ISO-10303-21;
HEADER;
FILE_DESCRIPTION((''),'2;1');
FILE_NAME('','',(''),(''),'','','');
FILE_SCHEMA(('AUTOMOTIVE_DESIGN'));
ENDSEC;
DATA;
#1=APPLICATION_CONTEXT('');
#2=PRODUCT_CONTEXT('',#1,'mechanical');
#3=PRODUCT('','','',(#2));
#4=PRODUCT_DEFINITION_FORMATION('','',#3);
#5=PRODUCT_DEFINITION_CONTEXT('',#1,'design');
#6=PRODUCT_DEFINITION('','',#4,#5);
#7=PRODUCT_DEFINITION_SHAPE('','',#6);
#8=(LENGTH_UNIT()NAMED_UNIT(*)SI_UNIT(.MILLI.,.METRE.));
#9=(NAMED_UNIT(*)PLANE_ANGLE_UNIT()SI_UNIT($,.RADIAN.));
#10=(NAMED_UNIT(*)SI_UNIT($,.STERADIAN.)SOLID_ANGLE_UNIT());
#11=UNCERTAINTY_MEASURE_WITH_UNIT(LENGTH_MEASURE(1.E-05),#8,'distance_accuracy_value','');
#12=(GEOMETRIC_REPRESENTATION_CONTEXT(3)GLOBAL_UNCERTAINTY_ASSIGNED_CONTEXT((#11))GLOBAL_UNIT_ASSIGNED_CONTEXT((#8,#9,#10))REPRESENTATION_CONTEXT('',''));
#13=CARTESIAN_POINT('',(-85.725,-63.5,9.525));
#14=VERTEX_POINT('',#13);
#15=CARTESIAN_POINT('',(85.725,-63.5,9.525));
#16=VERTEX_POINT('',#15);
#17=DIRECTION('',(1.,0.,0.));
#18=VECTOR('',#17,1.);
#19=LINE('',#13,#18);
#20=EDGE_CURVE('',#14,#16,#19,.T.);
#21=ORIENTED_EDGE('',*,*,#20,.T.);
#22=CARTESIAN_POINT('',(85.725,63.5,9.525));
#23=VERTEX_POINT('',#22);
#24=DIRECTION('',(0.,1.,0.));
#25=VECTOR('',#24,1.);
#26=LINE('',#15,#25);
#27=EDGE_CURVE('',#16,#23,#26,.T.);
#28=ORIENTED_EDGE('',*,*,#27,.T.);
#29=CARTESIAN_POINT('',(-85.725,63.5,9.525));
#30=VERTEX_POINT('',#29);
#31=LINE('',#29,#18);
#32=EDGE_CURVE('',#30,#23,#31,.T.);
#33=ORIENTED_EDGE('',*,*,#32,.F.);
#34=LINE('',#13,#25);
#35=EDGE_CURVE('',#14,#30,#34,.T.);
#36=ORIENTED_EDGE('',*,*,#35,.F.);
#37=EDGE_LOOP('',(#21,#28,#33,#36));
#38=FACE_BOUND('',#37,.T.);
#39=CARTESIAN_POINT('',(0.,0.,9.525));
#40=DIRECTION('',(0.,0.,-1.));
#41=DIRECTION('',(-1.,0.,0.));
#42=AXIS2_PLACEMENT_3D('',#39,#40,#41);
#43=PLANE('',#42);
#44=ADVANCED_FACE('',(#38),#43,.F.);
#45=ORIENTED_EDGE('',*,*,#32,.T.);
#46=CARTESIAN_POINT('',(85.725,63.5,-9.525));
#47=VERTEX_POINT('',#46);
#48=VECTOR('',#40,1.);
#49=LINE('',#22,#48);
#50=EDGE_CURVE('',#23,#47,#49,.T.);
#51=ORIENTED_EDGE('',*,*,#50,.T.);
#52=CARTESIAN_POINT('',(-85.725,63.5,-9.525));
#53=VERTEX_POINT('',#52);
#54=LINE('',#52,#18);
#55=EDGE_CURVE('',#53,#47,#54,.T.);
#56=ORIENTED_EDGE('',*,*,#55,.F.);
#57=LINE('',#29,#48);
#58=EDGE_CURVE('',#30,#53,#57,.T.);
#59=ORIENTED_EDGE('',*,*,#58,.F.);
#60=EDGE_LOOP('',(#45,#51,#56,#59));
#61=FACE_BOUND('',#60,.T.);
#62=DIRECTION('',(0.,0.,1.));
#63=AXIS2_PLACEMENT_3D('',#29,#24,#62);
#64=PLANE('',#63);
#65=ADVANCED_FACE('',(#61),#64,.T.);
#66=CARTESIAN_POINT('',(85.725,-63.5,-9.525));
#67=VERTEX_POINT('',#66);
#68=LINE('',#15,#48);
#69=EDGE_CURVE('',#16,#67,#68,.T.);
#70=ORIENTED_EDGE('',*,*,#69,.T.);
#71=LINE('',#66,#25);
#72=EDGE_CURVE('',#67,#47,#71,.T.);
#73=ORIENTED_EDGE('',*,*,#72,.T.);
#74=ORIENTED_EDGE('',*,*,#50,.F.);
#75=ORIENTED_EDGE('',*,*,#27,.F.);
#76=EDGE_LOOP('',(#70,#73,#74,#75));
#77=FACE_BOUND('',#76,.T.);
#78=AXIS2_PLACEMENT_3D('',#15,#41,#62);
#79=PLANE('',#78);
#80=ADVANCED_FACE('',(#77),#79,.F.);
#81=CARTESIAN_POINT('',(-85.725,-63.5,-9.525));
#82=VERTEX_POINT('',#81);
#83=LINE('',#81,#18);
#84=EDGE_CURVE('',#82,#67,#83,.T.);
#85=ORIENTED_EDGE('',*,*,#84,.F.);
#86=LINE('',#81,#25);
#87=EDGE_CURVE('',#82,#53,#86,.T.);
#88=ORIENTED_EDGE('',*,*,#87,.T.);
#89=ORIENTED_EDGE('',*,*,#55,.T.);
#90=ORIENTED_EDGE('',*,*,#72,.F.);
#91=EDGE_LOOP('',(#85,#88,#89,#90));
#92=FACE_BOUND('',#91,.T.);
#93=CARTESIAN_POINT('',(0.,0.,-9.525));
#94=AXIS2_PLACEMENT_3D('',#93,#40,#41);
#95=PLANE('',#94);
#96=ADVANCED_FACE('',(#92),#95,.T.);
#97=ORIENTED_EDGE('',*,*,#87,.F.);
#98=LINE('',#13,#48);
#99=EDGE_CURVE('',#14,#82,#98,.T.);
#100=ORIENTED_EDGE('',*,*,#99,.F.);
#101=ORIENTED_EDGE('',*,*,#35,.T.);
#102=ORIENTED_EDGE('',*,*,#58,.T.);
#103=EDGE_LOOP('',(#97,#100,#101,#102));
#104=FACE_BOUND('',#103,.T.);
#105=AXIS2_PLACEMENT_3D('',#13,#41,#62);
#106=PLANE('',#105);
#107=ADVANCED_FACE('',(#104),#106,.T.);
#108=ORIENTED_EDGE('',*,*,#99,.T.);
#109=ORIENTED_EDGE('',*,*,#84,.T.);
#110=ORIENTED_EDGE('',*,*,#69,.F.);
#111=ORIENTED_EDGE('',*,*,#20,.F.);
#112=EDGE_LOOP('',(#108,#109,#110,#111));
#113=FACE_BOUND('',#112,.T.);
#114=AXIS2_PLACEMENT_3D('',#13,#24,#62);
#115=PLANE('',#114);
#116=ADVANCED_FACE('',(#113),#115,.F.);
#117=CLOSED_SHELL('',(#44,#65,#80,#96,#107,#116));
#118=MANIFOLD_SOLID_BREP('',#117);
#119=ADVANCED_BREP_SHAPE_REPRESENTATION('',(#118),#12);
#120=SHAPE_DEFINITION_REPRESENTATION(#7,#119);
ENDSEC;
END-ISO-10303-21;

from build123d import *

# Parameters (mm, degrees)
SKETCH1_W           = 171.45
SKETCH1_H           = 127
BOSS_EXTRUDE1_DEPTH = 9.525


with BuildPart() as part:
    # Sketch1 → Boss-Extrude1 (new, symmetric)
    with BuildSketch(Plane.XY):
        Rectangle(SKETCH1_W, SKETCH1_H)
    extrude(amount=BOSS_EXTRUDE1_DEPTH, both=True)


solid = part.part
